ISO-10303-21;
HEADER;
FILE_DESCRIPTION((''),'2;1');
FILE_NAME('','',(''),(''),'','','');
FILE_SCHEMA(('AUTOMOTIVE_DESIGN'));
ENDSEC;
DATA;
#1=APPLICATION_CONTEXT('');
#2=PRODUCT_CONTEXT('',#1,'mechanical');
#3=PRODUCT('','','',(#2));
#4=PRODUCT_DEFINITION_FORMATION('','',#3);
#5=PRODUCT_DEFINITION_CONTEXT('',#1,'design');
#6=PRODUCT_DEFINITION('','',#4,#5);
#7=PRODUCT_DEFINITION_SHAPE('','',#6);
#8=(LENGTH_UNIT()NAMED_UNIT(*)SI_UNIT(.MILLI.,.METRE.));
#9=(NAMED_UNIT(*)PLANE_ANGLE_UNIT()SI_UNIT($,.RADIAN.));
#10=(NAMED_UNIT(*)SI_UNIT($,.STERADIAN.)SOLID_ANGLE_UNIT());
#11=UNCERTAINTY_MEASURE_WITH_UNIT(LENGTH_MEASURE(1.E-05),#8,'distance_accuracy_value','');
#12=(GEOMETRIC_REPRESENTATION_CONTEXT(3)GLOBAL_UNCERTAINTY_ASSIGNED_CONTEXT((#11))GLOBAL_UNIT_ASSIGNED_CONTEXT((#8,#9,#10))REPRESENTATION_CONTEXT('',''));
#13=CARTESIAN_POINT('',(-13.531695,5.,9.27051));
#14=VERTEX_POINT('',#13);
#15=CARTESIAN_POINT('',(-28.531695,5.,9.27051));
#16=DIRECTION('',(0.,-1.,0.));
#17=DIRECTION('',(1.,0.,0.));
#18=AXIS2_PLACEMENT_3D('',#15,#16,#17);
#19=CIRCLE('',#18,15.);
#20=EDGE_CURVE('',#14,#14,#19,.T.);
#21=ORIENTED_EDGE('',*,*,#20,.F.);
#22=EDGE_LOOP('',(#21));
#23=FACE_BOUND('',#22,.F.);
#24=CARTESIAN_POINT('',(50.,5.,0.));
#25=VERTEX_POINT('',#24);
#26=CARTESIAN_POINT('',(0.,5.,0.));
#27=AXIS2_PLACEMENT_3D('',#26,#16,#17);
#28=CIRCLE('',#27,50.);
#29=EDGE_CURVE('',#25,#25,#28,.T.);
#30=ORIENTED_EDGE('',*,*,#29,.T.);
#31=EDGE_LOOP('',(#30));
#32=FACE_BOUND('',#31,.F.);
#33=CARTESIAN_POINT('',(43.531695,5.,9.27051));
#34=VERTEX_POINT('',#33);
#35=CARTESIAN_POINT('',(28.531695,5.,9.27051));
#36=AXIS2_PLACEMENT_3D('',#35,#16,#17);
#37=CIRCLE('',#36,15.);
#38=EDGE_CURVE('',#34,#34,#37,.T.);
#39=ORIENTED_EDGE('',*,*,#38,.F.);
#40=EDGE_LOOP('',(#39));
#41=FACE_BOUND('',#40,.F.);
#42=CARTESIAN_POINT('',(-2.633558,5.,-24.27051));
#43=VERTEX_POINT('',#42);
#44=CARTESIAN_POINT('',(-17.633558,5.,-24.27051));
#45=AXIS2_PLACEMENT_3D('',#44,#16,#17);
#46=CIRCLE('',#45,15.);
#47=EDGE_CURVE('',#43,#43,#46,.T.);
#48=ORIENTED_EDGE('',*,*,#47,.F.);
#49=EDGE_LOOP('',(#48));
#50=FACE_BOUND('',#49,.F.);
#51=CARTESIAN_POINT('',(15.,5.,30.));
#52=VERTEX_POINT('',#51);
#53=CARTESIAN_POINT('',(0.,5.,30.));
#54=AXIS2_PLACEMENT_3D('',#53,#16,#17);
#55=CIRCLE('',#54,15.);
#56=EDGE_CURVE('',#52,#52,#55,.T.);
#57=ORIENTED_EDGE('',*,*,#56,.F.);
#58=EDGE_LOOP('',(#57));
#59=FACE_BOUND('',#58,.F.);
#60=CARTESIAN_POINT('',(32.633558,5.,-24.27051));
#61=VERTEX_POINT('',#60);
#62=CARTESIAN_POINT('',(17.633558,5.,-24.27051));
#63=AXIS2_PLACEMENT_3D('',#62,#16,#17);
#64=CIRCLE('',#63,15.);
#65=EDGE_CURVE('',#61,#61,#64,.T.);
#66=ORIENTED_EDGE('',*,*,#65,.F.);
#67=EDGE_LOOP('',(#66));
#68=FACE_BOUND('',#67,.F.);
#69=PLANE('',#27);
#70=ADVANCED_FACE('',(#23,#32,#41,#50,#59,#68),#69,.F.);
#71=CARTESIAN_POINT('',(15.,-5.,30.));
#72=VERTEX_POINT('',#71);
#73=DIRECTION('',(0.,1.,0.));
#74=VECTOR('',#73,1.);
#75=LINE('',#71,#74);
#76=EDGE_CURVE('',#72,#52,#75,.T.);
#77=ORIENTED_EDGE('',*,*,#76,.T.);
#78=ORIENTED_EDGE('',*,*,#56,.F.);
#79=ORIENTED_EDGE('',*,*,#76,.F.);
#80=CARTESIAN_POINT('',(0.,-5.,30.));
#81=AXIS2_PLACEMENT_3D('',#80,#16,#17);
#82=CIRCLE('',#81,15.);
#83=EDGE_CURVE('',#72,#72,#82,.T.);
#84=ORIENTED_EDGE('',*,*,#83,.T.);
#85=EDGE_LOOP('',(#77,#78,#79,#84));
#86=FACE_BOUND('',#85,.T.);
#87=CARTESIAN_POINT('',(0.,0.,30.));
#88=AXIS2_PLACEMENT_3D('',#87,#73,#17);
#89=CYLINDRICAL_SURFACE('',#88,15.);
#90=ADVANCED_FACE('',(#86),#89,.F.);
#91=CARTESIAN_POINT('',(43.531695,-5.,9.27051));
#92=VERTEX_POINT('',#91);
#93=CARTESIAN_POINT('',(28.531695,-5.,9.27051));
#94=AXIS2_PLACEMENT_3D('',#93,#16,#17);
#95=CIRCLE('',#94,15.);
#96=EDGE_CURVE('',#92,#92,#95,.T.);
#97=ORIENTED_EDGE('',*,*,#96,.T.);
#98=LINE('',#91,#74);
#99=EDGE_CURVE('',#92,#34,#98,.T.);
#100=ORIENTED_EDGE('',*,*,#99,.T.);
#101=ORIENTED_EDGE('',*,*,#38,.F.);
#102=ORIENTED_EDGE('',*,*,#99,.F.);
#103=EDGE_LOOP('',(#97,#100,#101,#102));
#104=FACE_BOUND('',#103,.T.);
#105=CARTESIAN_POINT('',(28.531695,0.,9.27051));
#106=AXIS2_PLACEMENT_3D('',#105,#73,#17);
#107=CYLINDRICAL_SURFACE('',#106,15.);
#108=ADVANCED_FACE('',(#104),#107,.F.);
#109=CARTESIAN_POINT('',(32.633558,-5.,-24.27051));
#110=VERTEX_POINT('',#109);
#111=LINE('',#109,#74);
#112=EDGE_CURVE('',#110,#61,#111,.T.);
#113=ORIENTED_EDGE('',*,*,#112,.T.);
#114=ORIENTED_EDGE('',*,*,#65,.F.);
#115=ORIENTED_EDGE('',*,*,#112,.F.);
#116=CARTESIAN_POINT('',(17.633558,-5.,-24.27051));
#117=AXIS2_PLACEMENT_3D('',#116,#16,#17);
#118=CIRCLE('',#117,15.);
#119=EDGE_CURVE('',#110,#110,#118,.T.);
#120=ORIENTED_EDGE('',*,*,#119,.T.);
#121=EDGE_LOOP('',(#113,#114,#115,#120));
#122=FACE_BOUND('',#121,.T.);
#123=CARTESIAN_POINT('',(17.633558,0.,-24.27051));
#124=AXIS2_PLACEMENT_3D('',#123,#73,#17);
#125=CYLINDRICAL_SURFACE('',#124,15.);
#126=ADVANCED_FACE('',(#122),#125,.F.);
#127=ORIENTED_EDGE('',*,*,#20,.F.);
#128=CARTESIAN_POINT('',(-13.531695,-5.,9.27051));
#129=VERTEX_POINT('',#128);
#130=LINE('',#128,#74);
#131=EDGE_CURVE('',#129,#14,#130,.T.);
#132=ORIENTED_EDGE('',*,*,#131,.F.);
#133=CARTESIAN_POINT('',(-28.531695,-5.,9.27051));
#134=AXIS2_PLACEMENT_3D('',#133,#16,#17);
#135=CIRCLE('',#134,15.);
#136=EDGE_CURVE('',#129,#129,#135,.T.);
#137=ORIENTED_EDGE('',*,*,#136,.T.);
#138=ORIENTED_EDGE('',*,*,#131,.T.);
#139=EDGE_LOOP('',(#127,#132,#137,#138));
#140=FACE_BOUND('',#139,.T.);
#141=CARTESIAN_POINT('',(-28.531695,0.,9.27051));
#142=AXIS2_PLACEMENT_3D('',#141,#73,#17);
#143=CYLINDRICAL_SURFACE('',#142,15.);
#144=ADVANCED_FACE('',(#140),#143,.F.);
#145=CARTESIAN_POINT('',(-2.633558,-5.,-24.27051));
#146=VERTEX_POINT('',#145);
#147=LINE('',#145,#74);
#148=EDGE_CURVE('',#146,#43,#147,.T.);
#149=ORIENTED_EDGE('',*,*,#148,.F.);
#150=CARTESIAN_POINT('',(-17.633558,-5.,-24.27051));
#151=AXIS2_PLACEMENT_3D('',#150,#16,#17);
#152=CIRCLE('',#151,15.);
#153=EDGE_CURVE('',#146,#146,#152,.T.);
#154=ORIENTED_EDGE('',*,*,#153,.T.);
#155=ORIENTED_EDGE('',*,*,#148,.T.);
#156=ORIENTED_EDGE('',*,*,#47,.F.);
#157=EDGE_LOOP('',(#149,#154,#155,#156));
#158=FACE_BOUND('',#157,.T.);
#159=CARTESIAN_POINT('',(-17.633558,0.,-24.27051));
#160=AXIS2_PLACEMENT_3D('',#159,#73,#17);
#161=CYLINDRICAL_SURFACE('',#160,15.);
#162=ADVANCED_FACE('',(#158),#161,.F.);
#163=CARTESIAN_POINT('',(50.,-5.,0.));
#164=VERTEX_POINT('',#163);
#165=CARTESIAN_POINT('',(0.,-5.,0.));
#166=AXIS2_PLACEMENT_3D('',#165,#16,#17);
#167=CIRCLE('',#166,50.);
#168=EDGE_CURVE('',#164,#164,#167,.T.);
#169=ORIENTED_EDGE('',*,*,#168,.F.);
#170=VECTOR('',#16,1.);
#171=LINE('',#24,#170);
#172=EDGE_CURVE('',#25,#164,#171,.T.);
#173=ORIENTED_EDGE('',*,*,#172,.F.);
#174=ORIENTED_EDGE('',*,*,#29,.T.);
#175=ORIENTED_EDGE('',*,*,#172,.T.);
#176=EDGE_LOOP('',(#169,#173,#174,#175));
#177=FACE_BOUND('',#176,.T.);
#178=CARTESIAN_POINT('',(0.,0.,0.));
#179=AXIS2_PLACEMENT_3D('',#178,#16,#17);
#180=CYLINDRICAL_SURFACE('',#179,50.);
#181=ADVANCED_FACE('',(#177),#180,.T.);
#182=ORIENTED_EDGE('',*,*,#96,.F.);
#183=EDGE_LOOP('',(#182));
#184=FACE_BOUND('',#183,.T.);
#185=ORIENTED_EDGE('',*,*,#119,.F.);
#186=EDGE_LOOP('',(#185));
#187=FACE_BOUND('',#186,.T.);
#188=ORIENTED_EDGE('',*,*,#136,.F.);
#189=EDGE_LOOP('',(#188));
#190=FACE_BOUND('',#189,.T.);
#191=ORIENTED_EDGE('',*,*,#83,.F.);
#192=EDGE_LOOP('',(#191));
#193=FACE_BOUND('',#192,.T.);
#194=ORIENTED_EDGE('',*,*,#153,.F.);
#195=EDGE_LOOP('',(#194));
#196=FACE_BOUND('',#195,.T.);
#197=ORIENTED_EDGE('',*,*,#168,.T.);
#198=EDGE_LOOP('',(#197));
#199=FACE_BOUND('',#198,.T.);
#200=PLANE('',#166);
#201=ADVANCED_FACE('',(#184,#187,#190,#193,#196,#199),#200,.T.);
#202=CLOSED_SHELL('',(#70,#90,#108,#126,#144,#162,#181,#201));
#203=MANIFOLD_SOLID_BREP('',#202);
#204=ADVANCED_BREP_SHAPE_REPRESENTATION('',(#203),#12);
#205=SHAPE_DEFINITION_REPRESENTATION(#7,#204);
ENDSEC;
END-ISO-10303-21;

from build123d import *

# Parameters (mm, degrees)
F0_R     = 50
F0_R_2   = 15
F1_DEPTH = 5


with BuildPart() as f1:
    # F0 (on Front) → F1 (new body, symmetric)
    with BuildSketch(Plane.XZ):
        Circle(F0_R)
        with Locations((-17.6335575688, -24.2705098312)):
            Circle(F0_R_2, mode=Mode.SUBTRACT)
        with Locations((17.6335575688, -24.2705098312)):
            Circle(F0_R_2, mode=Mode.SUBTRACT)
        with Locations((-28.5316954889, 9.2705098312)):
            Circle(F0_R_2, mode=Mode.SUBTRACT)
        with Locations((28.5316954889, 9.2705098312)):
            Circle(F0_R_2, mode=Mode.SUBTRACT)
        with Locations((0, 30)):
            Circle(F0_R_2, mode=Mode.SUBTRACT)
    extrude(amount=F1_DEPTH, both=True)


solid = f1.part
